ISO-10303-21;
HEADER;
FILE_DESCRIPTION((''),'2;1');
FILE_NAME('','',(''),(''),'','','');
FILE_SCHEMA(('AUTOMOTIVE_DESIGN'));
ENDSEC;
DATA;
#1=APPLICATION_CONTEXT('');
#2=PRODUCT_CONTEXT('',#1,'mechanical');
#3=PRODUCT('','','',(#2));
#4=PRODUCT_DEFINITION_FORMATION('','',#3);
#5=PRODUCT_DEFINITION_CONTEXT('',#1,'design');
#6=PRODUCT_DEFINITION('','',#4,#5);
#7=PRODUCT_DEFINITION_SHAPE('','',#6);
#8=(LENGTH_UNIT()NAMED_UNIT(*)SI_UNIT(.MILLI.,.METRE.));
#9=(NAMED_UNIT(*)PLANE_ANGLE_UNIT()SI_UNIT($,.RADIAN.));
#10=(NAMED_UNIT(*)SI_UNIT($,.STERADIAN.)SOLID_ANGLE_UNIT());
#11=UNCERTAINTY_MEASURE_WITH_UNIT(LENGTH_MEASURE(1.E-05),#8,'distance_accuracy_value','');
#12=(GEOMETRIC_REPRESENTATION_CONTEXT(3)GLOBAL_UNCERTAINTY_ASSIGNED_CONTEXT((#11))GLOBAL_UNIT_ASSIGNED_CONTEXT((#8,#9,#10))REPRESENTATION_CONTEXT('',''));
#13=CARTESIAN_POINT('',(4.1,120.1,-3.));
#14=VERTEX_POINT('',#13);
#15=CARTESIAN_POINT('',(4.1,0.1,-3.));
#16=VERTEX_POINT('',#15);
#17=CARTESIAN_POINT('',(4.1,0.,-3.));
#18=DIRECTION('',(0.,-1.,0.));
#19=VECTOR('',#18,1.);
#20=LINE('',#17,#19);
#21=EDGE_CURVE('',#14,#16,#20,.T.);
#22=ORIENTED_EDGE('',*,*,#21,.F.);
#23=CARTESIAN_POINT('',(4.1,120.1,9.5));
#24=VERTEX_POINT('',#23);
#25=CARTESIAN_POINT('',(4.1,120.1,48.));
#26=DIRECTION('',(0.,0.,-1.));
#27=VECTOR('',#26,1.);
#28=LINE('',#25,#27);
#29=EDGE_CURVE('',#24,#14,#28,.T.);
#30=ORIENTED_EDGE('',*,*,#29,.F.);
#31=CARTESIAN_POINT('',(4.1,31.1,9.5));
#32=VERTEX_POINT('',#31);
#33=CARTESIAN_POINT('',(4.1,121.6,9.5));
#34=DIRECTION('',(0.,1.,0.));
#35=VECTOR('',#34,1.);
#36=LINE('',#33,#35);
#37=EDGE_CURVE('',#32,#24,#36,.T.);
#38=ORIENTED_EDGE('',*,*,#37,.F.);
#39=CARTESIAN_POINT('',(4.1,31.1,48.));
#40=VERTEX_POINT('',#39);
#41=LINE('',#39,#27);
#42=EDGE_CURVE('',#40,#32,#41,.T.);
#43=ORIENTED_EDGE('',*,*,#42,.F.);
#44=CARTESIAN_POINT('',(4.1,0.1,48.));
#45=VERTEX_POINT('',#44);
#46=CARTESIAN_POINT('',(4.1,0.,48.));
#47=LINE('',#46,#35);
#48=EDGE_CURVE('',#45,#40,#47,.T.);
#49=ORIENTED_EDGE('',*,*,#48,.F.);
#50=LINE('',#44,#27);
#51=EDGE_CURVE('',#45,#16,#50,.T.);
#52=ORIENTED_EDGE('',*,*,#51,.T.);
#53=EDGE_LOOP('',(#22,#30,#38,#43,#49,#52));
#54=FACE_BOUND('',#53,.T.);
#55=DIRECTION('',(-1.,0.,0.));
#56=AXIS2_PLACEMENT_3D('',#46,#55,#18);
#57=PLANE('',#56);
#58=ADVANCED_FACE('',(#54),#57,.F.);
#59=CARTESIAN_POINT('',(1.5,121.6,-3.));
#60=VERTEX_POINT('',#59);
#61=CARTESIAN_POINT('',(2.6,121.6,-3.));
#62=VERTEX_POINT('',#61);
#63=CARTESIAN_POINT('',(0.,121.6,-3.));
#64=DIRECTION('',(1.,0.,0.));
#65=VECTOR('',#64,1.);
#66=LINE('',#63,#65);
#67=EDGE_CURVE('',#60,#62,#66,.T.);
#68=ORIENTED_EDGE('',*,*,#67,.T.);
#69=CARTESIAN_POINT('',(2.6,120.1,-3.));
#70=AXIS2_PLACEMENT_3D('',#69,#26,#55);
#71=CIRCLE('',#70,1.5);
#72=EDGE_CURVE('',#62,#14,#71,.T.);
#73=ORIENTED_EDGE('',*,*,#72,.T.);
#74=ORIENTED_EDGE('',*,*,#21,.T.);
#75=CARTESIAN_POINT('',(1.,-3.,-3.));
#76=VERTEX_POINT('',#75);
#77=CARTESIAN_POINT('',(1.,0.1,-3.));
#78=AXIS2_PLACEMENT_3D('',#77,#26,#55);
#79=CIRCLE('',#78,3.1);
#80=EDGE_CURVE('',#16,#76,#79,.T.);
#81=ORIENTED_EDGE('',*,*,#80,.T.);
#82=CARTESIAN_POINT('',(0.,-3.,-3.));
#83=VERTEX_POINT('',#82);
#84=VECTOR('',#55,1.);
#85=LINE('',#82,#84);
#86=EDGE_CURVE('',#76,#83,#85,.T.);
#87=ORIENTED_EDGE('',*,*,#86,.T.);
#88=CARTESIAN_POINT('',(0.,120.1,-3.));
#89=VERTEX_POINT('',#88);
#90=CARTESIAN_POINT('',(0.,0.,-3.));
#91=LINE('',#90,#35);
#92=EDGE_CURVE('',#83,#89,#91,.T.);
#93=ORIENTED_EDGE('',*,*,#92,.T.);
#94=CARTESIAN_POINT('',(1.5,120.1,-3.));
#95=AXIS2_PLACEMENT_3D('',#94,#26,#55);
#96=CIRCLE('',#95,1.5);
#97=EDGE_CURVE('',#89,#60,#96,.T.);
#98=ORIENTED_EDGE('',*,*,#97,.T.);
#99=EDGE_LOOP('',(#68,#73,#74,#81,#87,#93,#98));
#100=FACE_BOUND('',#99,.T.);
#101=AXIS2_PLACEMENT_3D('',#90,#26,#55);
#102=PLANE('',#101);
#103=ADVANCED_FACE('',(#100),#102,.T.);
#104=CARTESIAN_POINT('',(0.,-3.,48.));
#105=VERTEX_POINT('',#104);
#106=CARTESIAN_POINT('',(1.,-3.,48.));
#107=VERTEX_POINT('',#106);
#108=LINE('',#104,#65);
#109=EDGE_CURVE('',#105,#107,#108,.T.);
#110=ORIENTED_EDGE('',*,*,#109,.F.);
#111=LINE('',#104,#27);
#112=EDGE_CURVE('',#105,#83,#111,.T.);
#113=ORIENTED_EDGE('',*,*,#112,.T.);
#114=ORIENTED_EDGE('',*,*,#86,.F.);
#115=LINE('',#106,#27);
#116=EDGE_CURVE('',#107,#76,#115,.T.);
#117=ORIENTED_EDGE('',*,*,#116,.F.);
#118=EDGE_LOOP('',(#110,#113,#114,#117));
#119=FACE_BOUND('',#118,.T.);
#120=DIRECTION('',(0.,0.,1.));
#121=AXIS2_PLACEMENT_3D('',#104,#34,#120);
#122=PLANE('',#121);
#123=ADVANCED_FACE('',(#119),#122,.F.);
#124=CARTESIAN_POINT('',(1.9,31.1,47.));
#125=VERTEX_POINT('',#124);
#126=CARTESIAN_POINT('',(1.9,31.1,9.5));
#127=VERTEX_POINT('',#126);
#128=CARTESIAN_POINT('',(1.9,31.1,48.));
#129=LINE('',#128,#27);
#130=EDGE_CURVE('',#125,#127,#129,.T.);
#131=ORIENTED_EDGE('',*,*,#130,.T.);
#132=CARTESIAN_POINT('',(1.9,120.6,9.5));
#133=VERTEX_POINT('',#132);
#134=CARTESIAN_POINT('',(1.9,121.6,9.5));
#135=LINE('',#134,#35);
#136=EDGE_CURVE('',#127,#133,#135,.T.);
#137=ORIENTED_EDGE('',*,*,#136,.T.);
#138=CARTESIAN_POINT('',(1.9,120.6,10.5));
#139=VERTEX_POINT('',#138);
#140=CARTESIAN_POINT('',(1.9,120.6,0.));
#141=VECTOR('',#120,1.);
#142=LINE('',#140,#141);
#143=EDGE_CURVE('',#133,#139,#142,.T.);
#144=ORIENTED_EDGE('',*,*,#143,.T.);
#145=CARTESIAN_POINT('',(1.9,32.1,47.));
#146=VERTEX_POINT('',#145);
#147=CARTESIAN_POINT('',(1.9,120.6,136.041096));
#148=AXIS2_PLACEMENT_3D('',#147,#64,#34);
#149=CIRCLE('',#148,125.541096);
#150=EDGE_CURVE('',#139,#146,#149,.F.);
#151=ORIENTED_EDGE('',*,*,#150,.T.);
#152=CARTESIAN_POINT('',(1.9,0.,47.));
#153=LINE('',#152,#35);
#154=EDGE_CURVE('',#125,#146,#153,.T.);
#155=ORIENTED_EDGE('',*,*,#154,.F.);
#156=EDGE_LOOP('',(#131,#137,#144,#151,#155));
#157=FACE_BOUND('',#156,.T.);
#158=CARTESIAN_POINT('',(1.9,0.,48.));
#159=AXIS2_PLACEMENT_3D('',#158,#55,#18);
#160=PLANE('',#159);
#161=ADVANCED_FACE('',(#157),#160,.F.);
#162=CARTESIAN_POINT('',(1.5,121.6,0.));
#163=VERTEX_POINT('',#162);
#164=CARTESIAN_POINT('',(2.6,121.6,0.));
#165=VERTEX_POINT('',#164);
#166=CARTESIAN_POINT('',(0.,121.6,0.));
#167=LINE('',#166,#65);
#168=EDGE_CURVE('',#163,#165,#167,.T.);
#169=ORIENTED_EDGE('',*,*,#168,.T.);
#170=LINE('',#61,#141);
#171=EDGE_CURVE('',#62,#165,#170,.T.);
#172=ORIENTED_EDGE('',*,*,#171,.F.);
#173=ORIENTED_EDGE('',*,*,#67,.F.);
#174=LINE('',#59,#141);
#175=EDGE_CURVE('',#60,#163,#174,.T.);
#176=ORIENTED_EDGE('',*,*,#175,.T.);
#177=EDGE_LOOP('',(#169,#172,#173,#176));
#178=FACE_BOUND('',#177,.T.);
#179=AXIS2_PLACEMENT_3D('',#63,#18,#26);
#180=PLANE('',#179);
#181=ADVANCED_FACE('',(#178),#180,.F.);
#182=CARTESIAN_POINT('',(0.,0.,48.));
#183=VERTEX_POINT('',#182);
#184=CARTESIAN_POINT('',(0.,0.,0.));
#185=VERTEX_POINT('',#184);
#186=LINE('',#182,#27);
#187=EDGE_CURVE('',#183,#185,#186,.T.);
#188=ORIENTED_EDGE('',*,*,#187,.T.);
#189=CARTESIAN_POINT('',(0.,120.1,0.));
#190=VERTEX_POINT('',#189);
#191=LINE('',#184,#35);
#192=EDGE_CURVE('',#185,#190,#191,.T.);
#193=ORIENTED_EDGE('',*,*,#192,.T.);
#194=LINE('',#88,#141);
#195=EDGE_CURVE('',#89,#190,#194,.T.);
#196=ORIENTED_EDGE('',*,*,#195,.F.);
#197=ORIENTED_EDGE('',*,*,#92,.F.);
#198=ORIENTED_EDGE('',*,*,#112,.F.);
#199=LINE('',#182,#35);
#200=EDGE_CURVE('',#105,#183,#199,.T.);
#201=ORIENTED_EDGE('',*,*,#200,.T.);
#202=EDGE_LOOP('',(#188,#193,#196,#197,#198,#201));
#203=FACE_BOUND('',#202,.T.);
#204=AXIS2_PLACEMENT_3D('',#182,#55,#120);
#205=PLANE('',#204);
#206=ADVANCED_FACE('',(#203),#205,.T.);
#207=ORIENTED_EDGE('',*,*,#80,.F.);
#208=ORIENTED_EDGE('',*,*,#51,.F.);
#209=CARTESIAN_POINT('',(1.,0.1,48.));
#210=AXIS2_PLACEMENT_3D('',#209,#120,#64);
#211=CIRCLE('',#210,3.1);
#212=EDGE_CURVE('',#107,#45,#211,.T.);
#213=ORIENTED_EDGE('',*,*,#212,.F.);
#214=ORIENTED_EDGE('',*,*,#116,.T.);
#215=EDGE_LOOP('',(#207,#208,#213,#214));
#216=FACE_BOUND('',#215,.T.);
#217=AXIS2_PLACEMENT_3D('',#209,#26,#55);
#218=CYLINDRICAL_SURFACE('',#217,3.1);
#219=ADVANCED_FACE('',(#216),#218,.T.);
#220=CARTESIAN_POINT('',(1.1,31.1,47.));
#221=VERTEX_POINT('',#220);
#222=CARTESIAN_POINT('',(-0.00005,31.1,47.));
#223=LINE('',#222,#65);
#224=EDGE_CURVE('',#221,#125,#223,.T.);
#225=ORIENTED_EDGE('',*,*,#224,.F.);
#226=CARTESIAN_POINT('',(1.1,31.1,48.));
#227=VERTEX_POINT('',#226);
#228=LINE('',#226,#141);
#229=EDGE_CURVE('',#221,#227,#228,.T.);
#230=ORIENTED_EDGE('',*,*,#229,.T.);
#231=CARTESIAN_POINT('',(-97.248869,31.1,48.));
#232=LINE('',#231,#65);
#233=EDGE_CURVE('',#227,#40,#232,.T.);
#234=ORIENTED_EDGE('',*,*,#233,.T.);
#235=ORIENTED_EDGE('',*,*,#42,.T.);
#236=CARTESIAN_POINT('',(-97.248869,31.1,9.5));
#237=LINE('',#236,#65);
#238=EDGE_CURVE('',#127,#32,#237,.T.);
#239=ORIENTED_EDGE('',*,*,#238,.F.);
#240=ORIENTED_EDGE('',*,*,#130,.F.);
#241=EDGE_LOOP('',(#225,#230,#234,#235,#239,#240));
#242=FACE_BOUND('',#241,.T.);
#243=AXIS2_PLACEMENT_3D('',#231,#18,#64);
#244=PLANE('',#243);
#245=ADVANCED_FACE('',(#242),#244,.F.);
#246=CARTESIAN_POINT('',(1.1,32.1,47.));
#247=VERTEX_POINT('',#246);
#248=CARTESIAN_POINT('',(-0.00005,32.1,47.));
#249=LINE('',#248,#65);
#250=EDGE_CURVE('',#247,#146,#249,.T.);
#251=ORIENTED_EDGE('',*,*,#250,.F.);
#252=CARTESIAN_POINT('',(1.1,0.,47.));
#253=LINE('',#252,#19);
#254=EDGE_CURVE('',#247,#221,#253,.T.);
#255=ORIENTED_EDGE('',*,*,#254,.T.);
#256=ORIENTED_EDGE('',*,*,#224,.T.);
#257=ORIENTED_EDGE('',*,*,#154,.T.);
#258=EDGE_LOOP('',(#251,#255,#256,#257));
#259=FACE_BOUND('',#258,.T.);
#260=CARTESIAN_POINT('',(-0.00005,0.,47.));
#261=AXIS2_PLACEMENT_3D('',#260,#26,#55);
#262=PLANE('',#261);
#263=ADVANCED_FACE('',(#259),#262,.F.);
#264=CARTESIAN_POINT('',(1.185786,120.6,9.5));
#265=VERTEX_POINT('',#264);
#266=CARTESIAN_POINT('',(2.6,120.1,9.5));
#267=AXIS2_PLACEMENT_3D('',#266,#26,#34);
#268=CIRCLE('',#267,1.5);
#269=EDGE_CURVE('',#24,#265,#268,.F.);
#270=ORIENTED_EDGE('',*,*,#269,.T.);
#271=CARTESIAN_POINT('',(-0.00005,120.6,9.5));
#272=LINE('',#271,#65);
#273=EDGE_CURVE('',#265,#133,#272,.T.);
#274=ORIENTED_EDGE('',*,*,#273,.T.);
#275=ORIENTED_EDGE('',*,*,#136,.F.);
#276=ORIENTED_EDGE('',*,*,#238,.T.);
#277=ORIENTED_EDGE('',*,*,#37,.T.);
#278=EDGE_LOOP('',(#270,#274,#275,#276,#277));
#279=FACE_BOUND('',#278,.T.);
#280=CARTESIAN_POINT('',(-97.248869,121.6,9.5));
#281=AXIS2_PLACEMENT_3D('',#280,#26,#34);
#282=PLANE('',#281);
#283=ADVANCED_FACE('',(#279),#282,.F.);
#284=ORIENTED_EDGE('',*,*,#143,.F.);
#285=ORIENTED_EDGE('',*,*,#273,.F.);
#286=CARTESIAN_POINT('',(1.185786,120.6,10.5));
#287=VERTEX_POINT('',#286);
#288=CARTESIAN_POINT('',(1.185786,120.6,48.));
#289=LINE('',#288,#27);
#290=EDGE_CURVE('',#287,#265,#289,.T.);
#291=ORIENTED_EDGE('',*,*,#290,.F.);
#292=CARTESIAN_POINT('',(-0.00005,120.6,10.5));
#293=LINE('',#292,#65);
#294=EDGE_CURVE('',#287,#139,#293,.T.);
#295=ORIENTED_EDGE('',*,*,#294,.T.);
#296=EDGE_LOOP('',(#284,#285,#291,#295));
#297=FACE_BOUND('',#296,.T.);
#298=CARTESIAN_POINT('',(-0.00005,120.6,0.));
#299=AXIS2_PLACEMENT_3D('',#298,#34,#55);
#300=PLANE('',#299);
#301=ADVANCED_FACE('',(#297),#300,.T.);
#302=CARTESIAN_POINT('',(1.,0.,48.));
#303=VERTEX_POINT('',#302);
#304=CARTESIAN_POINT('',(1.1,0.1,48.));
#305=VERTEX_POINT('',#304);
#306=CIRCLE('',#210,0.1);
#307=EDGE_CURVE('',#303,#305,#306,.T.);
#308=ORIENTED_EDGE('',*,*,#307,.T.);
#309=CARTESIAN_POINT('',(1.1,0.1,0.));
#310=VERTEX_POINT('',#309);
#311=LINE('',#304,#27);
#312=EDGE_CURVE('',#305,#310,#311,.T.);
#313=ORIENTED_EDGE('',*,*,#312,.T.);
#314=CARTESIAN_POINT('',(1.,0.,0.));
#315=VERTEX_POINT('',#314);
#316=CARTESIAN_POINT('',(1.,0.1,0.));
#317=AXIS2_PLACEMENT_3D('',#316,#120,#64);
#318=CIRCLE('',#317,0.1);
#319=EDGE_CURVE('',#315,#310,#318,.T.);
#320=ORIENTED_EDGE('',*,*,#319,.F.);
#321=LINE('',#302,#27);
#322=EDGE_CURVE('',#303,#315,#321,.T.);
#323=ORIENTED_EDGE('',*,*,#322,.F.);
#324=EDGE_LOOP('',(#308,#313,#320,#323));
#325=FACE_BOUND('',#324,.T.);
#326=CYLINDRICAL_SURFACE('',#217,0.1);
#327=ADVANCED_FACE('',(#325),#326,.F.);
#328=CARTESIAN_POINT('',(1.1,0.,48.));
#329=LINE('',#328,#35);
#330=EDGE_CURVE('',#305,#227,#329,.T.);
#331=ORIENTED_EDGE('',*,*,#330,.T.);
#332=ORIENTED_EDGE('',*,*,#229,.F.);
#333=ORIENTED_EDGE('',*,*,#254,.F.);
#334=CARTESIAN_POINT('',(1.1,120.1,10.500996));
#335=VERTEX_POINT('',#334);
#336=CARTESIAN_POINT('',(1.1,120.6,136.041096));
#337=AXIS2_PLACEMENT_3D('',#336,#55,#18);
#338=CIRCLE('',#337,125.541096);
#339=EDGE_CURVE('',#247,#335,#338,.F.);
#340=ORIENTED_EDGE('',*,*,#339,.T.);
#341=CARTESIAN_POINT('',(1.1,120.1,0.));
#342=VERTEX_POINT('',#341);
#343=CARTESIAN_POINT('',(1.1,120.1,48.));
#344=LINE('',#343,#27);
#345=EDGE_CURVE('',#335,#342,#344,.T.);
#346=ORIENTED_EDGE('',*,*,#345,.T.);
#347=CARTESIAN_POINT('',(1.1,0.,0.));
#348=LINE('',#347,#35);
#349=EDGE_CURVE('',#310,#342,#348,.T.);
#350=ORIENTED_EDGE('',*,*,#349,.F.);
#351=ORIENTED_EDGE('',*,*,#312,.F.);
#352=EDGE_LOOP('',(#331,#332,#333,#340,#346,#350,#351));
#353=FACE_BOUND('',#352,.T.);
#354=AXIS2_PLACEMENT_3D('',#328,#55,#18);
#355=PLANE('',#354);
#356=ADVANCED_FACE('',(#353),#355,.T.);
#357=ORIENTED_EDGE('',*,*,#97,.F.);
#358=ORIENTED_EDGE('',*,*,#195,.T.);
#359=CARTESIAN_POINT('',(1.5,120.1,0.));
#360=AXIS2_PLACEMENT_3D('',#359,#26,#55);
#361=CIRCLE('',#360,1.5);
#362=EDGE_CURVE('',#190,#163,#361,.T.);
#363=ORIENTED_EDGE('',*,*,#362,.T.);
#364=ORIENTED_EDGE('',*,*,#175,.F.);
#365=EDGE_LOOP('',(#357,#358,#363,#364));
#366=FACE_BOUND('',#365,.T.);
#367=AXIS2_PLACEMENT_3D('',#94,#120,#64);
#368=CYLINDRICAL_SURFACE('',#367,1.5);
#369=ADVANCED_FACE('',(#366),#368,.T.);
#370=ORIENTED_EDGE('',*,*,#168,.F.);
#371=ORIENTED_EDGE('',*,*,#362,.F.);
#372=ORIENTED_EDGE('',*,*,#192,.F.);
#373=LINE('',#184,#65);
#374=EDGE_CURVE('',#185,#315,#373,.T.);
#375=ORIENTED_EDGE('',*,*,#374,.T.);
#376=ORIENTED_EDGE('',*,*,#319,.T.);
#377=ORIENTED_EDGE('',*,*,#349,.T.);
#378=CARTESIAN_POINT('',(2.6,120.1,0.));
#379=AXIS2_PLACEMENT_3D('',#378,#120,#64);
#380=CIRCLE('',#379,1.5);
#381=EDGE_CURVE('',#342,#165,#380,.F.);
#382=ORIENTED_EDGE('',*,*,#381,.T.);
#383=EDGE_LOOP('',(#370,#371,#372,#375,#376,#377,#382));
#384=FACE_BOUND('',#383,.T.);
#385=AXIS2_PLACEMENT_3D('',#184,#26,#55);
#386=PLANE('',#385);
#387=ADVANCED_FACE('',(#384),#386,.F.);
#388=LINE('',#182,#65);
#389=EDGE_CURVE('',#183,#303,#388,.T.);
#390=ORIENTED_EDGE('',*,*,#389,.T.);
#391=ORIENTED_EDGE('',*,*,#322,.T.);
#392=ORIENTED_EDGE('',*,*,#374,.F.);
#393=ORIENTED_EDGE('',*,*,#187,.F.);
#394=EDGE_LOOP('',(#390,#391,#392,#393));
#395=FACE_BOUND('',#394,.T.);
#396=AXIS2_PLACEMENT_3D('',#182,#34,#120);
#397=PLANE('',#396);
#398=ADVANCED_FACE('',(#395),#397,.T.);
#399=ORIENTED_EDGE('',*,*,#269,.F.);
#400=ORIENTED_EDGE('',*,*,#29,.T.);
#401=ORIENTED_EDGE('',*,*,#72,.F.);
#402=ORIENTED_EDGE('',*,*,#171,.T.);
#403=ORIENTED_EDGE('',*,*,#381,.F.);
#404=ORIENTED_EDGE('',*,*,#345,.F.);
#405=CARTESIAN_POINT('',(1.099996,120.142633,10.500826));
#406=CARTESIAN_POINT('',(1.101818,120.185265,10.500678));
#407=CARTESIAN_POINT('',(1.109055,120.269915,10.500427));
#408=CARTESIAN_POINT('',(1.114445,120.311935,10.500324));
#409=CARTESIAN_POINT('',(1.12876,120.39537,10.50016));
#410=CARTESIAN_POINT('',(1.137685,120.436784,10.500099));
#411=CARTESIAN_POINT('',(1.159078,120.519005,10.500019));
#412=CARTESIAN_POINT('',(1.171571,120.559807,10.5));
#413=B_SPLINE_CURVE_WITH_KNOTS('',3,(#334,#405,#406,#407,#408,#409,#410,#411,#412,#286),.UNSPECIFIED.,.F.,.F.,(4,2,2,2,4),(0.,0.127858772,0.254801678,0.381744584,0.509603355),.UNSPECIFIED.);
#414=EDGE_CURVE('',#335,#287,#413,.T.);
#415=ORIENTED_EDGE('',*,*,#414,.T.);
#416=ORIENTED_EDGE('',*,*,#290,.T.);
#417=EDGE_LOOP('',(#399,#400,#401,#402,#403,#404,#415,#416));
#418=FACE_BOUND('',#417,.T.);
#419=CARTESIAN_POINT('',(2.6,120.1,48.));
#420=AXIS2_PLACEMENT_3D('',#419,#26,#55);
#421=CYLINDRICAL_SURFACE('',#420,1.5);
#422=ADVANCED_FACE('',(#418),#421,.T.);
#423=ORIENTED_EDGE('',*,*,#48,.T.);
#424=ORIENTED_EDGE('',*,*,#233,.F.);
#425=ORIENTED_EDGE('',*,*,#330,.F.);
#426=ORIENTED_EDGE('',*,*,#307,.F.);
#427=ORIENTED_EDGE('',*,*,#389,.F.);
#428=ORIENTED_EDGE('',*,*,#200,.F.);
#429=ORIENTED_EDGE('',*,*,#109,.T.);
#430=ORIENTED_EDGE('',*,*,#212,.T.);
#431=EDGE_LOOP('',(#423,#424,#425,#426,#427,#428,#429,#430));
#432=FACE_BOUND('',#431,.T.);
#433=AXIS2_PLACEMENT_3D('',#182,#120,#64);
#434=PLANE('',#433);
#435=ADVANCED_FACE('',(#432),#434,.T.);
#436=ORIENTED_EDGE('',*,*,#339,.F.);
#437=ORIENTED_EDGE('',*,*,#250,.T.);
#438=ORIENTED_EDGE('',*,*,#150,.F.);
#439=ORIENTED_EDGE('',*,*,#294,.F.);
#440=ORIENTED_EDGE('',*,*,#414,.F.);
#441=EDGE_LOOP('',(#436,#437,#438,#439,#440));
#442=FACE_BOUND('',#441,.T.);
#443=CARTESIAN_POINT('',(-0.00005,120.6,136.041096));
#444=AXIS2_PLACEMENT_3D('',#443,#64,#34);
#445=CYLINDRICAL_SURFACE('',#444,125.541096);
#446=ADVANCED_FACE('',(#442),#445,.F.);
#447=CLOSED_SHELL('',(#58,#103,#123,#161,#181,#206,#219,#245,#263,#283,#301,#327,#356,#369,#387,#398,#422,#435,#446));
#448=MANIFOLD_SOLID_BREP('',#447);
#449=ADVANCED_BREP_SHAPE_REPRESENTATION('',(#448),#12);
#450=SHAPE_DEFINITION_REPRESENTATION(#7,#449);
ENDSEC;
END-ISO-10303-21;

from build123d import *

# Parameters (mm, degrees)
CROQUIS1_W              = 1
CROQUIS1_H              = 3
SALIENTE_EXTRUIR1_DEPTH = 48
SALIENTE_EXTRUIR2_DEPTH = 3
CROQUIS3_W              = 38.5
CROQUIS3_H              = 90.5
CORTAR_EXTRUIR1_DEPTH   = 2.2
CORTAR_EXTRUIR2_DEPTH   = 2.9


with BuildPart() as part:
    # Croquis1 → Saliente-Extruir1 (new body)
    with BuildSketch(Plane.XY):
        with BuildLine():
            ThreePointArc((1.1, 120.1), (2.6, 121.6), (4.1, 120.1))
            Line((4.1, 120.1), (4.1, 0.1))
            Line((4.1, 0.1), (1.1, 0.1))
            Line((1.1, 0.1), (1.1, 120.1))
        make_face()
        with BuildLine():
            Line((1, 0), (1, -3))
            ThreePointArc((1, -3), (3.192031022, -2.092031022), (4.1, 0.1))
            Line((4.1, 0.1), (1.1, 0.1))
            ThreePointArc((1.1, 0.1), (1.070710678, 0.029289322), (1, 0))
        make_face()
        with Locations((0.5, -1.5)):
            Rectangle(CROQUIS1_W, CROQUIS1_H)
    extrude(amount=SALIENTE_EXTRUIR1_DEPTH)

    # Croquis2 → Saliente-Extruir2 (add)
    with BuildSketch(Plane(origin=(0, 0, 0), x_dir=(-1, 0, 0), z_dir=(0, 0, -1))):
        with BuildLine():
            Line((-1, -3), (0, -3))
            Line((0, -3), (0, 120.1))
            ThreePointArc((0, 120.1), (-0.439339828, 121.160660172), (-1.5, 121.6))
            Line((-1.5, 121.6), (-2.6, 121.6))
            ThreePointArc((-2.6, 121.6), (-3.660660172, 121.160660172), (-4.1, 120.1))
            Line((-4.1, 120.1), (-4.1, 0.1))
            ThreePointArc((-4.1, 0.1), (-3.192031022, -2.092031022), (-1, -3))
        make_face()
    extrude(amount=SALIENTE_EXTRUIR2_DEPTH)

    # Croquis3 → Cortar-Extruir1 (cut)
    with BuildSketch(Plane(origin=(4.1, 0, 0), x_dir=(0, 0, -1), z_dir=(1, 0, 0))):
        with Locations((-28.75, 76.35)):
            Rectangle(CROQUIS3_W, CROQUIS3_H)
    extrude(amount=-CORTAR_EXTRUIR1_DEPTH, mode=Mode.SUBTRACT)

    # Croquis4 → Cortar-Extruir2 (cut, through all)
    with BuildSketch(Plane(origin=(1.9, 0, 0), x_dir=(0, 0, -1), z_dir=(1, 0, 0))):
        with BuildLine():
            Line((-9.5, 120.6), (-9.5, 121.426649916))
            Line((-9.5, 121.426649916), (-48, 121.426649916))
            Line((-48, 121.426649916), (-48, 31.1))
            Line((-48, 31.1), (-47, 31.1))
            Line((-47, 31.1), (-47, 32.1))
            ThreePointArc((-47, 32.1), (-19.983171743, 72.73430247), (-10.5, 120.6))
            Line((-10.5, 120.6), (-9.5, 120.6))
        make_face()
    extrude(amount=-CORTAR_EXTRUIR2_DEPTH, mode=Mode.SUBTRACT)


solid = part.part
